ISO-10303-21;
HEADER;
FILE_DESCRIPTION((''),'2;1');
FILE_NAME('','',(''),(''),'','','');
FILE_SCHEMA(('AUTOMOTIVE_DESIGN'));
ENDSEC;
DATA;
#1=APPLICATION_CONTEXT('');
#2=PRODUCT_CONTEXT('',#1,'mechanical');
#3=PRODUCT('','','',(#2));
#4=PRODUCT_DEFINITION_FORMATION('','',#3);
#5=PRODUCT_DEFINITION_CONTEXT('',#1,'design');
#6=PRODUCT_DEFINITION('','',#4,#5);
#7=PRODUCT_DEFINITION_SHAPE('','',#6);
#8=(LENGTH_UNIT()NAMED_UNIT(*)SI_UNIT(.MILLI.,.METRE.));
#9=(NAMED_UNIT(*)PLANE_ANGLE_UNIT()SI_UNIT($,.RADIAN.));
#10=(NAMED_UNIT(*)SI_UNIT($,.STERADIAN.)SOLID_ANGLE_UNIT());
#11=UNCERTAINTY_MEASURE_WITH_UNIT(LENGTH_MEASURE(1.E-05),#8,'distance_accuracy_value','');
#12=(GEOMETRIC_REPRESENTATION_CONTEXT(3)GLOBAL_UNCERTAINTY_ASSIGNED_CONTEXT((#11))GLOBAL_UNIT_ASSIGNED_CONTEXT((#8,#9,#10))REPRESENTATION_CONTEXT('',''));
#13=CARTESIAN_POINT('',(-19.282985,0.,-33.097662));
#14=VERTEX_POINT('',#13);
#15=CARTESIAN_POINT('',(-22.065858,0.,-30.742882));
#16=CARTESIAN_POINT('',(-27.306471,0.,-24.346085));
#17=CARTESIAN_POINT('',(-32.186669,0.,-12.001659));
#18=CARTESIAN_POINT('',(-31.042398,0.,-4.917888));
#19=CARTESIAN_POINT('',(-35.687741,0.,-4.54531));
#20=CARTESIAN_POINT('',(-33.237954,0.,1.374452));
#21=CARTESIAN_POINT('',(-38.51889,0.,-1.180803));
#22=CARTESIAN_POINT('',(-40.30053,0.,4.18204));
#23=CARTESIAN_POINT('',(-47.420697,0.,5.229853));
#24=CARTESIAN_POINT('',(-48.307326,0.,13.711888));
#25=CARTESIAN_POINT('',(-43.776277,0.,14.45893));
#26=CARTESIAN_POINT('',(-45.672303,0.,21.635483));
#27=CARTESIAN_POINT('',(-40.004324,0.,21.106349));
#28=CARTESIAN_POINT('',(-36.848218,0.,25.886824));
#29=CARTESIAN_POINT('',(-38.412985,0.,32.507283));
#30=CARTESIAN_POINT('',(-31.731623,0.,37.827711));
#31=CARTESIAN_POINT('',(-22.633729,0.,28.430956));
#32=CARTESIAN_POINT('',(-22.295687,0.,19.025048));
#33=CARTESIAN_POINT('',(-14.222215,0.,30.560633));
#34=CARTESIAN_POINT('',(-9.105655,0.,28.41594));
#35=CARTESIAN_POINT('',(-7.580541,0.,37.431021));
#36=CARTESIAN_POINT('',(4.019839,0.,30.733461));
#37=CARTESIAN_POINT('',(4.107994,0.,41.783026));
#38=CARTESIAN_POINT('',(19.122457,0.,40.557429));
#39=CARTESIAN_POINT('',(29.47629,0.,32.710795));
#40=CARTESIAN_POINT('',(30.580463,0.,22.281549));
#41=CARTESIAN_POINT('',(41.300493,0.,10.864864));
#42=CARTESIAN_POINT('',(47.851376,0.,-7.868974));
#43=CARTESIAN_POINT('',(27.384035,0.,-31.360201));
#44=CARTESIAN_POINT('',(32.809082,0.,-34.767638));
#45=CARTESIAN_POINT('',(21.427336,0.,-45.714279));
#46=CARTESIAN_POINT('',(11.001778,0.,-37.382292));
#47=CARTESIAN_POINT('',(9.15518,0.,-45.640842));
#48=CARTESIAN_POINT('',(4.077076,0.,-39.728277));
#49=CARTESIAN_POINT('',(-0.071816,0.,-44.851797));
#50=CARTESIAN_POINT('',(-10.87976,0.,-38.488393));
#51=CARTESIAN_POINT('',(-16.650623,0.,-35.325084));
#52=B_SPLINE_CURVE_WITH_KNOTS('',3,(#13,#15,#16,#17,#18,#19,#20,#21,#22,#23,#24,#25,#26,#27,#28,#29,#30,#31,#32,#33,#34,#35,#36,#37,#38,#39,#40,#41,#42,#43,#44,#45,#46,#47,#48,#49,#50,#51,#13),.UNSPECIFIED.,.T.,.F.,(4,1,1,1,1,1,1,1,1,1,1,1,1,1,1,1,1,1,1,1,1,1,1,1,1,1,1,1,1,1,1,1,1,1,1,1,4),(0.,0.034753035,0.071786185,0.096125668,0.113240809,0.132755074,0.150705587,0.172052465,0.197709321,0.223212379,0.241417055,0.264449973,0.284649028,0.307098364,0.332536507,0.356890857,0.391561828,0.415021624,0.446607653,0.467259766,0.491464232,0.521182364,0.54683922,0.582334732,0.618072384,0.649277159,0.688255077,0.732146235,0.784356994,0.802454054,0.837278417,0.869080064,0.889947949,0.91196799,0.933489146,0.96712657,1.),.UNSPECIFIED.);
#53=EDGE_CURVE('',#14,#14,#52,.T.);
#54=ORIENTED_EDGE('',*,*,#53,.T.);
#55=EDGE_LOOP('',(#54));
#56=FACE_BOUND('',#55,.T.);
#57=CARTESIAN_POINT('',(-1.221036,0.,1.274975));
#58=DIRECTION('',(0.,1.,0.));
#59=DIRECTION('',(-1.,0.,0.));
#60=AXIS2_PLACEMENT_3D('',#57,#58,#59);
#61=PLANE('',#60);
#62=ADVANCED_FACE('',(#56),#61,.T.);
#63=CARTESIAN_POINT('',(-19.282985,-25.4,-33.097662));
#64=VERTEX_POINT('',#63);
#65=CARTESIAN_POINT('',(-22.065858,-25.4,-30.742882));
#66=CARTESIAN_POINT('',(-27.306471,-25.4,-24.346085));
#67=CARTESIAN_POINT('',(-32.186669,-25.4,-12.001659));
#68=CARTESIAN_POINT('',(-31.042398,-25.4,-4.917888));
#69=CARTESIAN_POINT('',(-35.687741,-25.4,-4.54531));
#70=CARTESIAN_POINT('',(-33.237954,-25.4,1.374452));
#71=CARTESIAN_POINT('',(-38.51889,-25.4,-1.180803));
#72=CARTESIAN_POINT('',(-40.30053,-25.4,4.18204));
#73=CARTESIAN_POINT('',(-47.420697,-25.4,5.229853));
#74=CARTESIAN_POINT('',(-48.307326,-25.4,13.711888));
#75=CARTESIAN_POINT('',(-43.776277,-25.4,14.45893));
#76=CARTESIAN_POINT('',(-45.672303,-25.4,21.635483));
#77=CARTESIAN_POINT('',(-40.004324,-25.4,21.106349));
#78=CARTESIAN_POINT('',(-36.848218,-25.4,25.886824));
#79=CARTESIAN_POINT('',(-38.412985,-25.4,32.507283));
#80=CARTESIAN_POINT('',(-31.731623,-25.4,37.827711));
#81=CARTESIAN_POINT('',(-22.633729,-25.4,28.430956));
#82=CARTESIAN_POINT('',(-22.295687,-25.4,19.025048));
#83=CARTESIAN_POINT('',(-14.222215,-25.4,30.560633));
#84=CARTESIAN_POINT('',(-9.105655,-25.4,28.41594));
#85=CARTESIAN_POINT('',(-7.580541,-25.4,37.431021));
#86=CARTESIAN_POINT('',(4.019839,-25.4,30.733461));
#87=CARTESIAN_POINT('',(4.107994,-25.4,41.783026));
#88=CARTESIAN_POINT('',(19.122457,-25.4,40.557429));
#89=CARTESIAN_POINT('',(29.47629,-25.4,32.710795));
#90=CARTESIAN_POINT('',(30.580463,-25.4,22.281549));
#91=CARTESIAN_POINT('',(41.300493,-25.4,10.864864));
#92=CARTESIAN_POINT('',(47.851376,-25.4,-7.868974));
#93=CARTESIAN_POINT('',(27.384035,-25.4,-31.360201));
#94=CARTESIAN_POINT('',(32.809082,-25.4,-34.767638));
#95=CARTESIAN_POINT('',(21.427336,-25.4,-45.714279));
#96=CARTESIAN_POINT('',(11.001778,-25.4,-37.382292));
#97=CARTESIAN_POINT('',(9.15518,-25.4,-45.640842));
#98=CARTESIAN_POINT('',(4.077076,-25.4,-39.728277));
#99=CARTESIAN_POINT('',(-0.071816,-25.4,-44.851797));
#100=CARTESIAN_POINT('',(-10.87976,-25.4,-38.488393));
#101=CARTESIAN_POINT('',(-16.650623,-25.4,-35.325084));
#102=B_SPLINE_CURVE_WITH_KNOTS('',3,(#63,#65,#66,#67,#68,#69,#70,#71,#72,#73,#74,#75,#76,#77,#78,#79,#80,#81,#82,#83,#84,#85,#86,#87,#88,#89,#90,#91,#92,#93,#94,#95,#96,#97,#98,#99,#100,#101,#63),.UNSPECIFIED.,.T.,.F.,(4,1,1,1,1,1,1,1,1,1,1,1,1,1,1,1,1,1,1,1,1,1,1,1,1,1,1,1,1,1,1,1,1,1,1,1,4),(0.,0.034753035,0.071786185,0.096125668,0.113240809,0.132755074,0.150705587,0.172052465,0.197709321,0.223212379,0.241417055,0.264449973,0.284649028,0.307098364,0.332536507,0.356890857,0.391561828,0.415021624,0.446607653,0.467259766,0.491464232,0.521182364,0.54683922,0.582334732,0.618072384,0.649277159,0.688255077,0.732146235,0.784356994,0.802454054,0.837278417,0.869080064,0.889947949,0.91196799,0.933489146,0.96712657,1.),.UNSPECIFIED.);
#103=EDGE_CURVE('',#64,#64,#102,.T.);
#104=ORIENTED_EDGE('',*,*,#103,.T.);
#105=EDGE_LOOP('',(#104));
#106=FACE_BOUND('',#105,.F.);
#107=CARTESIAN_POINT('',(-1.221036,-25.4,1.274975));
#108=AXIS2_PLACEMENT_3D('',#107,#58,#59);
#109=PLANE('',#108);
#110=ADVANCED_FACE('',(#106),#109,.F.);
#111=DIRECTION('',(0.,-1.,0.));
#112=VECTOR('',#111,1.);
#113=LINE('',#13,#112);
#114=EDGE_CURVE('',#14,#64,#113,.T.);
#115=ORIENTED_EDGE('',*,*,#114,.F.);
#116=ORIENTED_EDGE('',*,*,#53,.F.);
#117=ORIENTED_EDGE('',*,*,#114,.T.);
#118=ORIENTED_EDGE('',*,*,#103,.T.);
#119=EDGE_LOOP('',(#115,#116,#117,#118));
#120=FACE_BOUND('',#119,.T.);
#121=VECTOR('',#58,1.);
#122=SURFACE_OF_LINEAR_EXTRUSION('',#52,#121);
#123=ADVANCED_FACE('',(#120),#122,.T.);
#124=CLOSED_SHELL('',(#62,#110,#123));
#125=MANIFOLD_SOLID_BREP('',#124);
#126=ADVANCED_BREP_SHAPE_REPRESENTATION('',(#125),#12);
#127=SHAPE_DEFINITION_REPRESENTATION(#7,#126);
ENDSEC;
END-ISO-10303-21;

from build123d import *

# Parameters (mm, degrees)
F1_DEPTH = 25.4


with BuildPart() as f1:
    # F0 (on Front) → F1 (new body)
    with BuildSketch(Plane.XZ):
        with BuildLine():
            add(Edge.make_bspline(
                [(-19.2829854786, -33.0976620317), (-22.0658581338, -30.7428824677), (-27.3064709373, -24.3460846584), (-32.1866694047, -12.0016594874), (-31.0423977225, -4.91788838), (-35.6877407201, -4.5453103899), (-33.237953503, 1.3744524269), (-38.5188904916, -1.1808033683), (-40.3005302368, 4.1820398758), (-47.4206966518, 5.2298529138), (-48.3073264204, 13.7118880221), (-43.7762767141, 14.4589300029), (-45.6723031374, 21.6354832669), (-40.0043237456, 21.1063488289), (-36.8482176321, 25.8868235803), (-38.4129851993, 32.5072826083), (-31.7316232165, 37.8277110565), (-22.6337294807, 28.4309555184), (-22.2956866665, 19.0250476322), (-14.2222147104, 30.5606327732), (-9.105655491, 28.4159400918), (-7.5805413874, 37.4310205272), (4.0198392363, 30.7334608621), (4.1079942706, 41.7830258792), (19.1224573671, 40.5574287618), (29.4762900187, 32.7107951364), (30.5804633926, 22.2815487365), (41.3004925761, 10.8648638263), (47.8513756356, -7.8689735174), (27.3840350627, -31.3602005737), (32.8090819723, -34.7676380227), (21.4273361294, -45.7142786894), (11.0017775166, -37.3822919577), (9.1551795024, -45.6408419202), (4.0770755274, -39.7282771884), (-0.0718160828, -44.8517967761), (-10.8797596896, -38.4883934839), (-16.6506234448, -35.3250842282), (-19.2829854786, -33.0976620317)],
                knots=[0, 0, 0, 0, 0.0347530351, 0.0717861852, 0.096125668, 0.113240809, 0.1327550737, 0.1507055869, 0.1720524648, 0.1977093214, 0.2232123793, 0.2414170552, 0.2644499728, 0.2846490278, 0.307098364, 0.3325365074, 0.3568908567, 0.391561828, 0.4150216244, 0.4466076533, 0.4672597663, 0.491464232, 0.5211823638, 0.5468392199, 0.5823347316, 0.6180723842, 0.6492771589, 0.6882550771, 0.7321462351, 0.7843569944, 0.8024540544, 0.8372784175, 0.8690800645, 0.889947949, 0.9119679898, 0.9334891456, 0.9671265697, 1, 1, 1, 1], degree=3))
        make_face()
    extrude(amount=F1_DEPTH)


solid = f1.part
